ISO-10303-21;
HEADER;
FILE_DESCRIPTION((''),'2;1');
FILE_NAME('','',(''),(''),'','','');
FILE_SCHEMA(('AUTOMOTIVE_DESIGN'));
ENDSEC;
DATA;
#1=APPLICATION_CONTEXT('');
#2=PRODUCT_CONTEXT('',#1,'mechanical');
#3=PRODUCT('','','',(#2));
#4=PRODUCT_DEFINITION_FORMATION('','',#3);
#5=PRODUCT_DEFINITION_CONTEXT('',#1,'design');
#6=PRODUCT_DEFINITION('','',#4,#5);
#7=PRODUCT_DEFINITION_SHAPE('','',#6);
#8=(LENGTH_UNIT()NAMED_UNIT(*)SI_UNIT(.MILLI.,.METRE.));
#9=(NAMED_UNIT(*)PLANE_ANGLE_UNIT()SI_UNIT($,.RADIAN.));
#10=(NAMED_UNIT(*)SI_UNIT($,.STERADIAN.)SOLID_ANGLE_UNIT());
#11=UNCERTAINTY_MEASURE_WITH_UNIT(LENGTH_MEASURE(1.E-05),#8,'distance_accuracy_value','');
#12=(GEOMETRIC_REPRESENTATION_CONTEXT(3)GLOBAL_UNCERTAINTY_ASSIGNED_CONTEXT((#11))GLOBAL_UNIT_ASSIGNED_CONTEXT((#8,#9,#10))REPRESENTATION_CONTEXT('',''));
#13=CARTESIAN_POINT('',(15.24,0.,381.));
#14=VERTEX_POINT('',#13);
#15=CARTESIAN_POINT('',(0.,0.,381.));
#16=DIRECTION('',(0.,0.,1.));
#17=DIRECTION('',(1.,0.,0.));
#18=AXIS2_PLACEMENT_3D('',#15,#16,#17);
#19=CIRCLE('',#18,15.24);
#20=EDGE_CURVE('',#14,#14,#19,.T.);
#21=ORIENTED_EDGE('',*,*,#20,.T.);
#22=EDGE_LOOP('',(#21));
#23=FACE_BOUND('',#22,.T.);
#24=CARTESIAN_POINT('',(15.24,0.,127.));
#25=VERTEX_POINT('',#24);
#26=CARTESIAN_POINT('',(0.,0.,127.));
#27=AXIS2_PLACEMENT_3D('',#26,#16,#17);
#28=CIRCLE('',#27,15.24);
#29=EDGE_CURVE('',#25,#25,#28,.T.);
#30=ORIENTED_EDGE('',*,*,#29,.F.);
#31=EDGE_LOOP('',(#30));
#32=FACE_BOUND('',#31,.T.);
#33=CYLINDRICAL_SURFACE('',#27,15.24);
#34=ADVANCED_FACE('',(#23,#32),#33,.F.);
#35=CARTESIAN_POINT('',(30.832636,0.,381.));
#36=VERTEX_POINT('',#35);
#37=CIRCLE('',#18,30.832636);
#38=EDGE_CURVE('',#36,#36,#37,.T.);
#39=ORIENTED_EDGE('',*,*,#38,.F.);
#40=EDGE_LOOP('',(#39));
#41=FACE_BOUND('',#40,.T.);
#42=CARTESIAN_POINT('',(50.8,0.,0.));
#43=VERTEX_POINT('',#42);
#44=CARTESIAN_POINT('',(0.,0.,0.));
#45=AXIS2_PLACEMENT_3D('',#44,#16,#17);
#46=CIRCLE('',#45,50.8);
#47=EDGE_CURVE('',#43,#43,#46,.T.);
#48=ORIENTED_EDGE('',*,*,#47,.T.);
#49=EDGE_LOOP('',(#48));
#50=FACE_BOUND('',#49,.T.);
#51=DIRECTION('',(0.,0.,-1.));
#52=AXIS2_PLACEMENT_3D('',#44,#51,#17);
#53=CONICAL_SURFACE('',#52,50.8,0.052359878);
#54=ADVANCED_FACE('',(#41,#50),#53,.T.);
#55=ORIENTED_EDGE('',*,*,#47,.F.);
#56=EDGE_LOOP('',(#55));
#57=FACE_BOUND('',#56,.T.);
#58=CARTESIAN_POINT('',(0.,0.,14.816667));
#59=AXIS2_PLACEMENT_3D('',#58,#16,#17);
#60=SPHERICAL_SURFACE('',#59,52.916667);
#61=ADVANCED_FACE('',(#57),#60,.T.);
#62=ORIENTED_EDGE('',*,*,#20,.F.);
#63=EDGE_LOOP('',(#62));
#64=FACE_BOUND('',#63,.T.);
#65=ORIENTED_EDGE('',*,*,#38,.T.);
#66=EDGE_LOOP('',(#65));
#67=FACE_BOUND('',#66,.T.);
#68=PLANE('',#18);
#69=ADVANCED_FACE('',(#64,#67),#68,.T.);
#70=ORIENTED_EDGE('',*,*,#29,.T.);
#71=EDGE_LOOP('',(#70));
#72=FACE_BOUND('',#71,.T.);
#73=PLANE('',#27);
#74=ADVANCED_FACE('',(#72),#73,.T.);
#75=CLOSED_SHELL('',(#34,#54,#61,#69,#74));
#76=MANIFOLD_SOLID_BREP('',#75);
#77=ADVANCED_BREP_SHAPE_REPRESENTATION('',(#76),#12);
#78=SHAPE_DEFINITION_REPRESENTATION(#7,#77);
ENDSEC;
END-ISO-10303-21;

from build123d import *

# Parameters (mm, degrees)
SKETCH1_R           = 50.8
BOSS_EXTRUDE1_DEPTH = 381
BOSS_EXTRUDE1_TAPER = 3
DOME1_FACE_RADIUS   = 50.8
DOME1_HEIGHT        = 38.1
SKETCH5_R           = 15.24
CUT_EXTRUDE1_DEPTH  = 254


with BuildPart() as part:
    # Sketch1 → Boss-Extrude1 (new body)
    with BuildSketch(Plane.XY):
        Circle(SKETCH1_R)
    extrude(amount=BOSS_EXTRUDE1_DEPTH, taper=BOSS_EXTRUDE1_TAPER)

    # Dome1: a dome of height H over a round flat face of radius A is a cap of a sphere of radius (A * A + H * H) / (2 * H)
    dome1_r = (DOME1_FACE_RADIUS * DOME1_FACE_RADIUS + DOME1_HEIGHT * DOME1_HEIGHT) / (2 * DOME1_HEIGHT)
    dome1_base = Plane((0, 0, 0), z_dir=(0, 0, -1))
    with Locations(dome1_base.offset(DOME1_HEIGHT - dome1_r)):
        dome1_ball = Sphere(dome1_r, mode=Mode.PRIVATE)
    add(split(dome1_ball, bisect_by=dome1_base, keep=Keep.TOP, mode=Mode.PRIVATE))

    # Sketch5 → Cut-Extrude1 (cut)
    with BuildSketch(Plane.XY.offset(381)):
        Circle(SKETCH5_R)
    extrude(amount=-CUT_EXTRUDE1_DEPTH, mode=Mode.SUBTRACT)


solid = part.part
